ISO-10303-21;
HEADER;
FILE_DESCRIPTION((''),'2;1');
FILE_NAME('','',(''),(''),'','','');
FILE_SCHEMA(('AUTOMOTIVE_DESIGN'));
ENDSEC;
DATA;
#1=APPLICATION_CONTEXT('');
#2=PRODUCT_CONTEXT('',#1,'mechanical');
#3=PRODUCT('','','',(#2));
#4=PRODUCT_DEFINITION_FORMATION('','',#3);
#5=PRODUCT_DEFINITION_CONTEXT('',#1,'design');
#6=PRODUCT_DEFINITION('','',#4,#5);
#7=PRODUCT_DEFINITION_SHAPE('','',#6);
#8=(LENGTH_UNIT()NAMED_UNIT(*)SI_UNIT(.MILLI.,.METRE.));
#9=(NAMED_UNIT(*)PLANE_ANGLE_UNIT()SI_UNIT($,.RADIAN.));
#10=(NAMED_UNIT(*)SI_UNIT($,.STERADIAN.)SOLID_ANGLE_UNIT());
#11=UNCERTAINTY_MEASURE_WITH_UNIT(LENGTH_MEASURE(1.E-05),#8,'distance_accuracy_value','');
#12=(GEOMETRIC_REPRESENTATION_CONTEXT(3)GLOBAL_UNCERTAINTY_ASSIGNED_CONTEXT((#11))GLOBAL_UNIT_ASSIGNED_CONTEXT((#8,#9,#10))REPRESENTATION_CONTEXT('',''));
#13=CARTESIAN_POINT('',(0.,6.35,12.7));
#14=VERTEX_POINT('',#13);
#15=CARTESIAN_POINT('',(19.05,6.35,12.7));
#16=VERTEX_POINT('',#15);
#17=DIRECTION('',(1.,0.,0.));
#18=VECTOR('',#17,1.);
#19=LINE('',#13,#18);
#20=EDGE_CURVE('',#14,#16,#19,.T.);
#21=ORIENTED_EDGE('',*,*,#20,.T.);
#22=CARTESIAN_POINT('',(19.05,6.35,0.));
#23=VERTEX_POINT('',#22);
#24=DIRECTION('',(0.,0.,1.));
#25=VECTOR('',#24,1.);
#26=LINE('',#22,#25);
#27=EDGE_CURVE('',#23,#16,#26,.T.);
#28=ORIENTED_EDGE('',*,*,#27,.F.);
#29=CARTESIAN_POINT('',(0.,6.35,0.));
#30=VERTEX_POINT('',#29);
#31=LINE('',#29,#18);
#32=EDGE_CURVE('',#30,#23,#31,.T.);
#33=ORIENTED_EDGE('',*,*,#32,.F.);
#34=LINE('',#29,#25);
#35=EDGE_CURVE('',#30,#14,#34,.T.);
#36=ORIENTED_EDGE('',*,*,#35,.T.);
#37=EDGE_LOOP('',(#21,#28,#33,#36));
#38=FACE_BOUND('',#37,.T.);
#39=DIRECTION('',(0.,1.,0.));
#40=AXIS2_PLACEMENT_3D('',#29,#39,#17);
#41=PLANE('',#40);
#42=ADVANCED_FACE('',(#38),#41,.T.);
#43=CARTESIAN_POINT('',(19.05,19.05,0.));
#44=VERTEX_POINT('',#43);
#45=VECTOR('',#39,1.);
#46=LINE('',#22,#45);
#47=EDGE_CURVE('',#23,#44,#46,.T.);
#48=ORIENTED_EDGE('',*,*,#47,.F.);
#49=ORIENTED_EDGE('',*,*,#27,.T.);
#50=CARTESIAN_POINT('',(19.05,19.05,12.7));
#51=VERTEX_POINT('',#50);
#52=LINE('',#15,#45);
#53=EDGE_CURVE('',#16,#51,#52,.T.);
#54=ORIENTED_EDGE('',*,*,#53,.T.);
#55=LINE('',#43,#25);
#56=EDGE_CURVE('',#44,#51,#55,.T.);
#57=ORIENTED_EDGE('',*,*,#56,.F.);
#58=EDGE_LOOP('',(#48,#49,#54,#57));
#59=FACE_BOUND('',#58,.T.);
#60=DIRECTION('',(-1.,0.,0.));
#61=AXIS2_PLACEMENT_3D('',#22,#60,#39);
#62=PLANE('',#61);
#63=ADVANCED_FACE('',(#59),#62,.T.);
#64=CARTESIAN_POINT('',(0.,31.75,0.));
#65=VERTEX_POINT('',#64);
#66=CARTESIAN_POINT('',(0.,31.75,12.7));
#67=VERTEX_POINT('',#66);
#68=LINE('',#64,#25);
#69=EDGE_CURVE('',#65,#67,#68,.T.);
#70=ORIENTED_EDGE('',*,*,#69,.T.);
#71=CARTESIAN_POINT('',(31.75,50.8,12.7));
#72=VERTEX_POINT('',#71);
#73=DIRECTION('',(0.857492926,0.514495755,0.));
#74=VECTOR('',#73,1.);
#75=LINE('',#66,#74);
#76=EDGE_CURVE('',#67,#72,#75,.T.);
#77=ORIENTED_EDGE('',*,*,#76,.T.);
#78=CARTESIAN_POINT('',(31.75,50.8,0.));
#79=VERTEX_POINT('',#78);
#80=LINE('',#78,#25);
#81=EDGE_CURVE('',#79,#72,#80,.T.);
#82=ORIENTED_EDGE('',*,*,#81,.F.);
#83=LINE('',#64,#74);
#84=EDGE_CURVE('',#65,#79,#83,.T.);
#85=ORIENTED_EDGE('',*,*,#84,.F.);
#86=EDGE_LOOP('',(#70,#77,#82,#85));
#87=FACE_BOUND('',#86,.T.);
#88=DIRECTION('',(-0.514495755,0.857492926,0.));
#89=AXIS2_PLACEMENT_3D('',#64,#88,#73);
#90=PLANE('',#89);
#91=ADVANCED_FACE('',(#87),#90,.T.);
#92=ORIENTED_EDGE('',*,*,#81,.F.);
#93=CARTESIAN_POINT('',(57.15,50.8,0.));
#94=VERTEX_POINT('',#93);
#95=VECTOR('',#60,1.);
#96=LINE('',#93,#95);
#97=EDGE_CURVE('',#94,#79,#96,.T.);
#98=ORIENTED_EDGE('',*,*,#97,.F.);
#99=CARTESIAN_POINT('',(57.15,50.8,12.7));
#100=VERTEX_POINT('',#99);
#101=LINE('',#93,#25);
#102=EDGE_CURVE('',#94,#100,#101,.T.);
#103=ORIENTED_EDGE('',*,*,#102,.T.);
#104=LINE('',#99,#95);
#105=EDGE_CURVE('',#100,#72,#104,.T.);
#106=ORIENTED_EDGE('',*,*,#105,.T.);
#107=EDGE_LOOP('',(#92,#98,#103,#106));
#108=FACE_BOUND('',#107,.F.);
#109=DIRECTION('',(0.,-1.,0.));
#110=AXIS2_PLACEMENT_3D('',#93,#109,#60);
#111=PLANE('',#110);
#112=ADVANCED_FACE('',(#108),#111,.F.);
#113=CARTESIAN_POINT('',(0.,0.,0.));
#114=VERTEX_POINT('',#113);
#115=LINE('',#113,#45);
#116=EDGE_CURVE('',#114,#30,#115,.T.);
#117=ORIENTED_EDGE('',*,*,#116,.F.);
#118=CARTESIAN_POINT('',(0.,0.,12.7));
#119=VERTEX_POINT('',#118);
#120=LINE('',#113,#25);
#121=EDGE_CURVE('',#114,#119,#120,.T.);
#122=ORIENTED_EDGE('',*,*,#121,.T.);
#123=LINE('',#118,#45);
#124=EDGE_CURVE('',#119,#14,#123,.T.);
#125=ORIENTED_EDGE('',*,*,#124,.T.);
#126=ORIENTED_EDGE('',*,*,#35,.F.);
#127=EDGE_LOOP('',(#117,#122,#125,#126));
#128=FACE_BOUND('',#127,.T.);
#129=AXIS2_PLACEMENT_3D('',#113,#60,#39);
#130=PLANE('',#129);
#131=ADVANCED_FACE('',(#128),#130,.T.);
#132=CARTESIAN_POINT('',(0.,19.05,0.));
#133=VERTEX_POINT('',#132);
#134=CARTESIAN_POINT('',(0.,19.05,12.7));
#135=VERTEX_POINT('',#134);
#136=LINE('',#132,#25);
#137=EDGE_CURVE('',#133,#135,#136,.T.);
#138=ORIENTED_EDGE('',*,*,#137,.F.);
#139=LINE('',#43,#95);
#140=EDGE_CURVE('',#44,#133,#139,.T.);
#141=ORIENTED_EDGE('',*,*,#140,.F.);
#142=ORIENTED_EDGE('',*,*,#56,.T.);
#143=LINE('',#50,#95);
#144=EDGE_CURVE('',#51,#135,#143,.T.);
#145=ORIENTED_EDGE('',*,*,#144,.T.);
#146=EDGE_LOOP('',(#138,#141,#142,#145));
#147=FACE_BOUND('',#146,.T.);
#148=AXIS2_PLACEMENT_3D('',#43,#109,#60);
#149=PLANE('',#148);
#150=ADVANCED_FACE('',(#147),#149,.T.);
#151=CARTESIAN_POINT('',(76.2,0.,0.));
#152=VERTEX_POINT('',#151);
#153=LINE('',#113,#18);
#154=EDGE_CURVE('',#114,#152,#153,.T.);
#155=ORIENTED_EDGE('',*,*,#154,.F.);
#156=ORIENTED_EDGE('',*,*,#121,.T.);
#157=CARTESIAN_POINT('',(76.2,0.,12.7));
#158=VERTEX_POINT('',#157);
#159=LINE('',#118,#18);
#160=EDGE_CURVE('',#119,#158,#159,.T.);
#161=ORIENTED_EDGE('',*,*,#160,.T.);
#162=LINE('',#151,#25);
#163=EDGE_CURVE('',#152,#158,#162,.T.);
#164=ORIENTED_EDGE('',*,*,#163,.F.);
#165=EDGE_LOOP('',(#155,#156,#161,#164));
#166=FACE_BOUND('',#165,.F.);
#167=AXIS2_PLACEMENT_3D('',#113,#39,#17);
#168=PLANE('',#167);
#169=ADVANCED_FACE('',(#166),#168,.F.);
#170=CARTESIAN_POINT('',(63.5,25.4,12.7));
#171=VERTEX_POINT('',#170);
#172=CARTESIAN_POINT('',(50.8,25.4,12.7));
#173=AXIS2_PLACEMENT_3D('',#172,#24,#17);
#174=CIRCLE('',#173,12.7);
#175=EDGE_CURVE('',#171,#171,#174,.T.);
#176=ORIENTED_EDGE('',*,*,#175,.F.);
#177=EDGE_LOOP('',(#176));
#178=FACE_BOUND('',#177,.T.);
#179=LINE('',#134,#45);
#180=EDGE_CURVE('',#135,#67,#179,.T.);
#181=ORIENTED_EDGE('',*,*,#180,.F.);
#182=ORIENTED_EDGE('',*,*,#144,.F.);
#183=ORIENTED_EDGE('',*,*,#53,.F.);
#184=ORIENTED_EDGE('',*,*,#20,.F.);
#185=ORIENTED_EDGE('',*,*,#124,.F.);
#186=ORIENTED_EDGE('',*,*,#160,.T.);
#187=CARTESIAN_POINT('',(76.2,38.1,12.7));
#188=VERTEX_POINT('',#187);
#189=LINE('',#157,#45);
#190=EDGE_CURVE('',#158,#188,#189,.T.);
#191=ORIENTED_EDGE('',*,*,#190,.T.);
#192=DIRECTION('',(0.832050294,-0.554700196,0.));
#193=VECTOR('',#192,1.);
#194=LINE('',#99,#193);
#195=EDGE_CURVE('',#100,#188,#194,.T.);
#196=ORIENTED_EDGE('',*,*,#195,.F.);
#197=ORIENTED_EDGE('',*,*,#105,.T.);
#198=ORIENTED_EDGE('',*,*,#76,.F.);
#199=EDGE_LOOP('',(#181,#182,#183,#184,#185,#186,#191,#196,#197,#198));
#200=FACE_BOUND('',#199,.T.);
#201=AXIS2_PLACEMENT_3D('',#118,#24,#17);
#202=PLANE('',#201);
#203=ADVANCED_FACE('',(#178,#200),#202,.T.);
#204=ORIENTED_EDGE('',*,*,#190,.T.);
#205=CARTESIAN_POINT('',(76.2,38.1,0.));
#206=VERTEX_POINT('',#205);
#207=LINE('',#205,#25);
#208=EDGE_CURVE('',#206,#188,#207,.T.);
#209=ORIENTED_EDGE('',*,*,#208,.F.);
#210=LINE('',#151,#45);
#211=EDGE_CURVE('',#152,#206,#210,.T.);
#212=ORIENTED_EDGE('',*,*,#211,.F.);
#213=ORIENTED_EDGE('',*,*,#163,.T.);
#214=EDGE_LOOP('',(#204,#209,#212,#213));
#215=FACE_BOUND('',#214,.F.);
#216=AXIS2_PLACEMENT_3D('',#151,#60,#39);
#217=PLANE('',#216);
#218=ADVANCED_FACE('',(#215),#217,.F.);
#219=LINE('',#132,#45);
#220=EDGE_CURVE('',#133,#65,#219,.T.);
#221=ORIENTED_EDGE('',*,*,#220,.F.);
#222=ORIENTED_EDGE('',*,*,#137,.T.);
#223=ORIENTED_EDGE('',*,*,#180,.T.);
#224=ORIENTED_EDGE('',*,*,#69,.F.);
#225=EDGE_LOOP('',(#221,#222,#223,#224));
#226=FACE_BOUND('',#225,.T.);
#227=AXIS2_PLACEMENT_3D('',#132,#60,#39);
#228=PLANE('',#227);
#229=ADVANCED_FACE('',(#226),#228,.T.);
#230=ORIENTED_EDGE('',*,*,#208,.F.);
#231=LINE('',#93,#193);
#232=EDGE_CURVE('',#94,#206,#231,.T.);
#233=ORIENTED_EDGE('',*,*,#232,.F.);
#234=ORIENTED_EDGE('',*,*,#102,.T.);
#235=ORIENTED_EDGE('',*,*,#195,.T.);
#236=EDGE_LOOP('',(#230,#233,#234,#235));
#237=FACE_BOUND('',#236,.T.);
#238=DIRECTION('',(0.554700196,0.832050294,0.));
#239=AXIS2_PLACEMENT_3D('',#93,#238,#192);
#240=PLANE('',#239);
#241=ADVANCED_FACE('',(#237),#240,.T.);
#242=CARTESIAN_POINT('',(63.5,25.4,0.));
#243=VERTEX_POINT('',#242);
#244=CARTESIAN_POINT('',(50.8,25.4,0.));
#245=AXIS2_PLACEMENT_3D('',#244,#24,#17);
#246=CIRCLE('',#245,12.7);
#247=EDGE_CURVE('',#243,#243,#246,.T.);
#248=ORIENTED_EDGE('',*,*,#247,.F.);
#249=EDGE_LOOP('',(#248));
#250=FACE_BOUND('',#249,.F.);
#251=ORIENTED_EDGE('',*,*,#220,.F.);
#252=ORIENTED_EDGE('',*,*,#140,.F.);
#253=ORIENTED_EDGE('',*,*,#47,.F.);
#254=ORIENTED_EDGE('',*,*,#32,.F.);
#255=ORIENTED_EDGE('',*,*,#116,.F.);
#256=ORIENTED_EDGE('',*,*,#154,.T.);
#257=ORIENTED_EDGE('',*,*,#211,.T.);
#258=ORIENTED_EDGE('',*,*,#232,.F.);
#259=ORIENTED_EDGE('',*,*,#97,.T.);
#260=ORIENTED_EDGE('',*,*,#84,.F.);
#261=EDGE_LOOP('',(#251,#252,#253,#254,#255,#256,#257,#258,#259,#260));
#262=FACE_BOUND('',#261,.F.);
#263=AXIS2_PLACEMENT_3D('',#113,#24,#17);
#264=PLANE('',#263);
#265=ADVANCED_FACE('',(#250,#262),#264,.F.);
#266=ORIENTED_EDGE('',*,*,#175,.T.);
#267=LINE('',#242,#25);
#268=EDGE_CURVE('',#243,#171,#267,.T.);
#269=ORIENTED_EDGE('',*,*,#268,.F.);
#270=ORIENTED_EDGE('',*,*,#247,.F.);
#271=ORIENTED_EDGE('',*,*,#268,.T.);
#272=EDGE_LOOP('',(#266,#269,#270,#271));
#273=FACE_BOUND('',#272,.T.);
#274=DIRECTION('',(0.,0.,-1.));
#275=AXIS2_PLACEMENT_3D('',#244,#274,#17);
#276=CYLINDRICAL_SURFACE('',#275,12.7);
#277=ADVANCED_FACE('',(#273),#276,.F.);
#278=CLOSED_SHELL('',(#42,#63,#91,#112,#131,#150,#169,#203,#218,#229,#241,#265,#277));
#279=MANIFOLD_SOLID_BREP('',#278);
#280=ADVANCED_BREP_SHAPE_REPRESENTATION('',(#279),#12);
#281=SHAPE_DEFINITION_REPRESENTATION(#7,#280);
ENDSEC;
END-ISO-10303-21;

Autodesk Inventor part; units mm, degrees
ref_plane "YZ Plane" through (0, 0, 0) normal (1, 0, 0) x (0, 1, 0)
ref_plane "XZ Plane" through (0, 0, 0) normal (0, 1, 0) x (-1, 0, 0)
ref_plane "XY Plane" through (0, 0, 0) normal (0, 0, 1) x (1, 0, 0)
sketch "Sketch1" plane through (0, 0, 0) normal (0, 0, 1) x (1, 0, 0)
  line L0 (0, 0) -> (76.2, 0)
  line L1 (76.2, 0) -> (76.2, 38.1)
  line L2 (57.15, 50.8) -> (76.2, 38.1)
  line L3 (57.15, 50.8) -> (31.75, 50.8)
  line L4 (0, 0) -> (0, 6.35)
  line L5 (0, 6.35) -> (19.05, 6.35)
  line L6 (19.05, 6.35) -> (19.05, 19.05)
  line L7 (19.05, 19.05) -> (0, 19.05)
  line L8 (0, 19.05) -> (0, 31.75)
  line L9 (0, 31.75) -> (31.75, 50.8)
  circle A0 centre (50.8, 25.4) radius 12.7
  dimension "d1" = 76.2
  dimension "d2" = 38.1
  dimension "d5" = 25.4
  dimension "d6" = 6.35
  dimension "d7" = 19.05
  dimension "d8" = 12.7
  dimension "d9" = 19.05
  dimension "d10" = 12.7
  dimension "d13" = 25.4
extrude "Extrusion1" add sketch "Sketch1" along normal blind 12.7
properties part number "Assignment 4.1 - Inclined Support"
